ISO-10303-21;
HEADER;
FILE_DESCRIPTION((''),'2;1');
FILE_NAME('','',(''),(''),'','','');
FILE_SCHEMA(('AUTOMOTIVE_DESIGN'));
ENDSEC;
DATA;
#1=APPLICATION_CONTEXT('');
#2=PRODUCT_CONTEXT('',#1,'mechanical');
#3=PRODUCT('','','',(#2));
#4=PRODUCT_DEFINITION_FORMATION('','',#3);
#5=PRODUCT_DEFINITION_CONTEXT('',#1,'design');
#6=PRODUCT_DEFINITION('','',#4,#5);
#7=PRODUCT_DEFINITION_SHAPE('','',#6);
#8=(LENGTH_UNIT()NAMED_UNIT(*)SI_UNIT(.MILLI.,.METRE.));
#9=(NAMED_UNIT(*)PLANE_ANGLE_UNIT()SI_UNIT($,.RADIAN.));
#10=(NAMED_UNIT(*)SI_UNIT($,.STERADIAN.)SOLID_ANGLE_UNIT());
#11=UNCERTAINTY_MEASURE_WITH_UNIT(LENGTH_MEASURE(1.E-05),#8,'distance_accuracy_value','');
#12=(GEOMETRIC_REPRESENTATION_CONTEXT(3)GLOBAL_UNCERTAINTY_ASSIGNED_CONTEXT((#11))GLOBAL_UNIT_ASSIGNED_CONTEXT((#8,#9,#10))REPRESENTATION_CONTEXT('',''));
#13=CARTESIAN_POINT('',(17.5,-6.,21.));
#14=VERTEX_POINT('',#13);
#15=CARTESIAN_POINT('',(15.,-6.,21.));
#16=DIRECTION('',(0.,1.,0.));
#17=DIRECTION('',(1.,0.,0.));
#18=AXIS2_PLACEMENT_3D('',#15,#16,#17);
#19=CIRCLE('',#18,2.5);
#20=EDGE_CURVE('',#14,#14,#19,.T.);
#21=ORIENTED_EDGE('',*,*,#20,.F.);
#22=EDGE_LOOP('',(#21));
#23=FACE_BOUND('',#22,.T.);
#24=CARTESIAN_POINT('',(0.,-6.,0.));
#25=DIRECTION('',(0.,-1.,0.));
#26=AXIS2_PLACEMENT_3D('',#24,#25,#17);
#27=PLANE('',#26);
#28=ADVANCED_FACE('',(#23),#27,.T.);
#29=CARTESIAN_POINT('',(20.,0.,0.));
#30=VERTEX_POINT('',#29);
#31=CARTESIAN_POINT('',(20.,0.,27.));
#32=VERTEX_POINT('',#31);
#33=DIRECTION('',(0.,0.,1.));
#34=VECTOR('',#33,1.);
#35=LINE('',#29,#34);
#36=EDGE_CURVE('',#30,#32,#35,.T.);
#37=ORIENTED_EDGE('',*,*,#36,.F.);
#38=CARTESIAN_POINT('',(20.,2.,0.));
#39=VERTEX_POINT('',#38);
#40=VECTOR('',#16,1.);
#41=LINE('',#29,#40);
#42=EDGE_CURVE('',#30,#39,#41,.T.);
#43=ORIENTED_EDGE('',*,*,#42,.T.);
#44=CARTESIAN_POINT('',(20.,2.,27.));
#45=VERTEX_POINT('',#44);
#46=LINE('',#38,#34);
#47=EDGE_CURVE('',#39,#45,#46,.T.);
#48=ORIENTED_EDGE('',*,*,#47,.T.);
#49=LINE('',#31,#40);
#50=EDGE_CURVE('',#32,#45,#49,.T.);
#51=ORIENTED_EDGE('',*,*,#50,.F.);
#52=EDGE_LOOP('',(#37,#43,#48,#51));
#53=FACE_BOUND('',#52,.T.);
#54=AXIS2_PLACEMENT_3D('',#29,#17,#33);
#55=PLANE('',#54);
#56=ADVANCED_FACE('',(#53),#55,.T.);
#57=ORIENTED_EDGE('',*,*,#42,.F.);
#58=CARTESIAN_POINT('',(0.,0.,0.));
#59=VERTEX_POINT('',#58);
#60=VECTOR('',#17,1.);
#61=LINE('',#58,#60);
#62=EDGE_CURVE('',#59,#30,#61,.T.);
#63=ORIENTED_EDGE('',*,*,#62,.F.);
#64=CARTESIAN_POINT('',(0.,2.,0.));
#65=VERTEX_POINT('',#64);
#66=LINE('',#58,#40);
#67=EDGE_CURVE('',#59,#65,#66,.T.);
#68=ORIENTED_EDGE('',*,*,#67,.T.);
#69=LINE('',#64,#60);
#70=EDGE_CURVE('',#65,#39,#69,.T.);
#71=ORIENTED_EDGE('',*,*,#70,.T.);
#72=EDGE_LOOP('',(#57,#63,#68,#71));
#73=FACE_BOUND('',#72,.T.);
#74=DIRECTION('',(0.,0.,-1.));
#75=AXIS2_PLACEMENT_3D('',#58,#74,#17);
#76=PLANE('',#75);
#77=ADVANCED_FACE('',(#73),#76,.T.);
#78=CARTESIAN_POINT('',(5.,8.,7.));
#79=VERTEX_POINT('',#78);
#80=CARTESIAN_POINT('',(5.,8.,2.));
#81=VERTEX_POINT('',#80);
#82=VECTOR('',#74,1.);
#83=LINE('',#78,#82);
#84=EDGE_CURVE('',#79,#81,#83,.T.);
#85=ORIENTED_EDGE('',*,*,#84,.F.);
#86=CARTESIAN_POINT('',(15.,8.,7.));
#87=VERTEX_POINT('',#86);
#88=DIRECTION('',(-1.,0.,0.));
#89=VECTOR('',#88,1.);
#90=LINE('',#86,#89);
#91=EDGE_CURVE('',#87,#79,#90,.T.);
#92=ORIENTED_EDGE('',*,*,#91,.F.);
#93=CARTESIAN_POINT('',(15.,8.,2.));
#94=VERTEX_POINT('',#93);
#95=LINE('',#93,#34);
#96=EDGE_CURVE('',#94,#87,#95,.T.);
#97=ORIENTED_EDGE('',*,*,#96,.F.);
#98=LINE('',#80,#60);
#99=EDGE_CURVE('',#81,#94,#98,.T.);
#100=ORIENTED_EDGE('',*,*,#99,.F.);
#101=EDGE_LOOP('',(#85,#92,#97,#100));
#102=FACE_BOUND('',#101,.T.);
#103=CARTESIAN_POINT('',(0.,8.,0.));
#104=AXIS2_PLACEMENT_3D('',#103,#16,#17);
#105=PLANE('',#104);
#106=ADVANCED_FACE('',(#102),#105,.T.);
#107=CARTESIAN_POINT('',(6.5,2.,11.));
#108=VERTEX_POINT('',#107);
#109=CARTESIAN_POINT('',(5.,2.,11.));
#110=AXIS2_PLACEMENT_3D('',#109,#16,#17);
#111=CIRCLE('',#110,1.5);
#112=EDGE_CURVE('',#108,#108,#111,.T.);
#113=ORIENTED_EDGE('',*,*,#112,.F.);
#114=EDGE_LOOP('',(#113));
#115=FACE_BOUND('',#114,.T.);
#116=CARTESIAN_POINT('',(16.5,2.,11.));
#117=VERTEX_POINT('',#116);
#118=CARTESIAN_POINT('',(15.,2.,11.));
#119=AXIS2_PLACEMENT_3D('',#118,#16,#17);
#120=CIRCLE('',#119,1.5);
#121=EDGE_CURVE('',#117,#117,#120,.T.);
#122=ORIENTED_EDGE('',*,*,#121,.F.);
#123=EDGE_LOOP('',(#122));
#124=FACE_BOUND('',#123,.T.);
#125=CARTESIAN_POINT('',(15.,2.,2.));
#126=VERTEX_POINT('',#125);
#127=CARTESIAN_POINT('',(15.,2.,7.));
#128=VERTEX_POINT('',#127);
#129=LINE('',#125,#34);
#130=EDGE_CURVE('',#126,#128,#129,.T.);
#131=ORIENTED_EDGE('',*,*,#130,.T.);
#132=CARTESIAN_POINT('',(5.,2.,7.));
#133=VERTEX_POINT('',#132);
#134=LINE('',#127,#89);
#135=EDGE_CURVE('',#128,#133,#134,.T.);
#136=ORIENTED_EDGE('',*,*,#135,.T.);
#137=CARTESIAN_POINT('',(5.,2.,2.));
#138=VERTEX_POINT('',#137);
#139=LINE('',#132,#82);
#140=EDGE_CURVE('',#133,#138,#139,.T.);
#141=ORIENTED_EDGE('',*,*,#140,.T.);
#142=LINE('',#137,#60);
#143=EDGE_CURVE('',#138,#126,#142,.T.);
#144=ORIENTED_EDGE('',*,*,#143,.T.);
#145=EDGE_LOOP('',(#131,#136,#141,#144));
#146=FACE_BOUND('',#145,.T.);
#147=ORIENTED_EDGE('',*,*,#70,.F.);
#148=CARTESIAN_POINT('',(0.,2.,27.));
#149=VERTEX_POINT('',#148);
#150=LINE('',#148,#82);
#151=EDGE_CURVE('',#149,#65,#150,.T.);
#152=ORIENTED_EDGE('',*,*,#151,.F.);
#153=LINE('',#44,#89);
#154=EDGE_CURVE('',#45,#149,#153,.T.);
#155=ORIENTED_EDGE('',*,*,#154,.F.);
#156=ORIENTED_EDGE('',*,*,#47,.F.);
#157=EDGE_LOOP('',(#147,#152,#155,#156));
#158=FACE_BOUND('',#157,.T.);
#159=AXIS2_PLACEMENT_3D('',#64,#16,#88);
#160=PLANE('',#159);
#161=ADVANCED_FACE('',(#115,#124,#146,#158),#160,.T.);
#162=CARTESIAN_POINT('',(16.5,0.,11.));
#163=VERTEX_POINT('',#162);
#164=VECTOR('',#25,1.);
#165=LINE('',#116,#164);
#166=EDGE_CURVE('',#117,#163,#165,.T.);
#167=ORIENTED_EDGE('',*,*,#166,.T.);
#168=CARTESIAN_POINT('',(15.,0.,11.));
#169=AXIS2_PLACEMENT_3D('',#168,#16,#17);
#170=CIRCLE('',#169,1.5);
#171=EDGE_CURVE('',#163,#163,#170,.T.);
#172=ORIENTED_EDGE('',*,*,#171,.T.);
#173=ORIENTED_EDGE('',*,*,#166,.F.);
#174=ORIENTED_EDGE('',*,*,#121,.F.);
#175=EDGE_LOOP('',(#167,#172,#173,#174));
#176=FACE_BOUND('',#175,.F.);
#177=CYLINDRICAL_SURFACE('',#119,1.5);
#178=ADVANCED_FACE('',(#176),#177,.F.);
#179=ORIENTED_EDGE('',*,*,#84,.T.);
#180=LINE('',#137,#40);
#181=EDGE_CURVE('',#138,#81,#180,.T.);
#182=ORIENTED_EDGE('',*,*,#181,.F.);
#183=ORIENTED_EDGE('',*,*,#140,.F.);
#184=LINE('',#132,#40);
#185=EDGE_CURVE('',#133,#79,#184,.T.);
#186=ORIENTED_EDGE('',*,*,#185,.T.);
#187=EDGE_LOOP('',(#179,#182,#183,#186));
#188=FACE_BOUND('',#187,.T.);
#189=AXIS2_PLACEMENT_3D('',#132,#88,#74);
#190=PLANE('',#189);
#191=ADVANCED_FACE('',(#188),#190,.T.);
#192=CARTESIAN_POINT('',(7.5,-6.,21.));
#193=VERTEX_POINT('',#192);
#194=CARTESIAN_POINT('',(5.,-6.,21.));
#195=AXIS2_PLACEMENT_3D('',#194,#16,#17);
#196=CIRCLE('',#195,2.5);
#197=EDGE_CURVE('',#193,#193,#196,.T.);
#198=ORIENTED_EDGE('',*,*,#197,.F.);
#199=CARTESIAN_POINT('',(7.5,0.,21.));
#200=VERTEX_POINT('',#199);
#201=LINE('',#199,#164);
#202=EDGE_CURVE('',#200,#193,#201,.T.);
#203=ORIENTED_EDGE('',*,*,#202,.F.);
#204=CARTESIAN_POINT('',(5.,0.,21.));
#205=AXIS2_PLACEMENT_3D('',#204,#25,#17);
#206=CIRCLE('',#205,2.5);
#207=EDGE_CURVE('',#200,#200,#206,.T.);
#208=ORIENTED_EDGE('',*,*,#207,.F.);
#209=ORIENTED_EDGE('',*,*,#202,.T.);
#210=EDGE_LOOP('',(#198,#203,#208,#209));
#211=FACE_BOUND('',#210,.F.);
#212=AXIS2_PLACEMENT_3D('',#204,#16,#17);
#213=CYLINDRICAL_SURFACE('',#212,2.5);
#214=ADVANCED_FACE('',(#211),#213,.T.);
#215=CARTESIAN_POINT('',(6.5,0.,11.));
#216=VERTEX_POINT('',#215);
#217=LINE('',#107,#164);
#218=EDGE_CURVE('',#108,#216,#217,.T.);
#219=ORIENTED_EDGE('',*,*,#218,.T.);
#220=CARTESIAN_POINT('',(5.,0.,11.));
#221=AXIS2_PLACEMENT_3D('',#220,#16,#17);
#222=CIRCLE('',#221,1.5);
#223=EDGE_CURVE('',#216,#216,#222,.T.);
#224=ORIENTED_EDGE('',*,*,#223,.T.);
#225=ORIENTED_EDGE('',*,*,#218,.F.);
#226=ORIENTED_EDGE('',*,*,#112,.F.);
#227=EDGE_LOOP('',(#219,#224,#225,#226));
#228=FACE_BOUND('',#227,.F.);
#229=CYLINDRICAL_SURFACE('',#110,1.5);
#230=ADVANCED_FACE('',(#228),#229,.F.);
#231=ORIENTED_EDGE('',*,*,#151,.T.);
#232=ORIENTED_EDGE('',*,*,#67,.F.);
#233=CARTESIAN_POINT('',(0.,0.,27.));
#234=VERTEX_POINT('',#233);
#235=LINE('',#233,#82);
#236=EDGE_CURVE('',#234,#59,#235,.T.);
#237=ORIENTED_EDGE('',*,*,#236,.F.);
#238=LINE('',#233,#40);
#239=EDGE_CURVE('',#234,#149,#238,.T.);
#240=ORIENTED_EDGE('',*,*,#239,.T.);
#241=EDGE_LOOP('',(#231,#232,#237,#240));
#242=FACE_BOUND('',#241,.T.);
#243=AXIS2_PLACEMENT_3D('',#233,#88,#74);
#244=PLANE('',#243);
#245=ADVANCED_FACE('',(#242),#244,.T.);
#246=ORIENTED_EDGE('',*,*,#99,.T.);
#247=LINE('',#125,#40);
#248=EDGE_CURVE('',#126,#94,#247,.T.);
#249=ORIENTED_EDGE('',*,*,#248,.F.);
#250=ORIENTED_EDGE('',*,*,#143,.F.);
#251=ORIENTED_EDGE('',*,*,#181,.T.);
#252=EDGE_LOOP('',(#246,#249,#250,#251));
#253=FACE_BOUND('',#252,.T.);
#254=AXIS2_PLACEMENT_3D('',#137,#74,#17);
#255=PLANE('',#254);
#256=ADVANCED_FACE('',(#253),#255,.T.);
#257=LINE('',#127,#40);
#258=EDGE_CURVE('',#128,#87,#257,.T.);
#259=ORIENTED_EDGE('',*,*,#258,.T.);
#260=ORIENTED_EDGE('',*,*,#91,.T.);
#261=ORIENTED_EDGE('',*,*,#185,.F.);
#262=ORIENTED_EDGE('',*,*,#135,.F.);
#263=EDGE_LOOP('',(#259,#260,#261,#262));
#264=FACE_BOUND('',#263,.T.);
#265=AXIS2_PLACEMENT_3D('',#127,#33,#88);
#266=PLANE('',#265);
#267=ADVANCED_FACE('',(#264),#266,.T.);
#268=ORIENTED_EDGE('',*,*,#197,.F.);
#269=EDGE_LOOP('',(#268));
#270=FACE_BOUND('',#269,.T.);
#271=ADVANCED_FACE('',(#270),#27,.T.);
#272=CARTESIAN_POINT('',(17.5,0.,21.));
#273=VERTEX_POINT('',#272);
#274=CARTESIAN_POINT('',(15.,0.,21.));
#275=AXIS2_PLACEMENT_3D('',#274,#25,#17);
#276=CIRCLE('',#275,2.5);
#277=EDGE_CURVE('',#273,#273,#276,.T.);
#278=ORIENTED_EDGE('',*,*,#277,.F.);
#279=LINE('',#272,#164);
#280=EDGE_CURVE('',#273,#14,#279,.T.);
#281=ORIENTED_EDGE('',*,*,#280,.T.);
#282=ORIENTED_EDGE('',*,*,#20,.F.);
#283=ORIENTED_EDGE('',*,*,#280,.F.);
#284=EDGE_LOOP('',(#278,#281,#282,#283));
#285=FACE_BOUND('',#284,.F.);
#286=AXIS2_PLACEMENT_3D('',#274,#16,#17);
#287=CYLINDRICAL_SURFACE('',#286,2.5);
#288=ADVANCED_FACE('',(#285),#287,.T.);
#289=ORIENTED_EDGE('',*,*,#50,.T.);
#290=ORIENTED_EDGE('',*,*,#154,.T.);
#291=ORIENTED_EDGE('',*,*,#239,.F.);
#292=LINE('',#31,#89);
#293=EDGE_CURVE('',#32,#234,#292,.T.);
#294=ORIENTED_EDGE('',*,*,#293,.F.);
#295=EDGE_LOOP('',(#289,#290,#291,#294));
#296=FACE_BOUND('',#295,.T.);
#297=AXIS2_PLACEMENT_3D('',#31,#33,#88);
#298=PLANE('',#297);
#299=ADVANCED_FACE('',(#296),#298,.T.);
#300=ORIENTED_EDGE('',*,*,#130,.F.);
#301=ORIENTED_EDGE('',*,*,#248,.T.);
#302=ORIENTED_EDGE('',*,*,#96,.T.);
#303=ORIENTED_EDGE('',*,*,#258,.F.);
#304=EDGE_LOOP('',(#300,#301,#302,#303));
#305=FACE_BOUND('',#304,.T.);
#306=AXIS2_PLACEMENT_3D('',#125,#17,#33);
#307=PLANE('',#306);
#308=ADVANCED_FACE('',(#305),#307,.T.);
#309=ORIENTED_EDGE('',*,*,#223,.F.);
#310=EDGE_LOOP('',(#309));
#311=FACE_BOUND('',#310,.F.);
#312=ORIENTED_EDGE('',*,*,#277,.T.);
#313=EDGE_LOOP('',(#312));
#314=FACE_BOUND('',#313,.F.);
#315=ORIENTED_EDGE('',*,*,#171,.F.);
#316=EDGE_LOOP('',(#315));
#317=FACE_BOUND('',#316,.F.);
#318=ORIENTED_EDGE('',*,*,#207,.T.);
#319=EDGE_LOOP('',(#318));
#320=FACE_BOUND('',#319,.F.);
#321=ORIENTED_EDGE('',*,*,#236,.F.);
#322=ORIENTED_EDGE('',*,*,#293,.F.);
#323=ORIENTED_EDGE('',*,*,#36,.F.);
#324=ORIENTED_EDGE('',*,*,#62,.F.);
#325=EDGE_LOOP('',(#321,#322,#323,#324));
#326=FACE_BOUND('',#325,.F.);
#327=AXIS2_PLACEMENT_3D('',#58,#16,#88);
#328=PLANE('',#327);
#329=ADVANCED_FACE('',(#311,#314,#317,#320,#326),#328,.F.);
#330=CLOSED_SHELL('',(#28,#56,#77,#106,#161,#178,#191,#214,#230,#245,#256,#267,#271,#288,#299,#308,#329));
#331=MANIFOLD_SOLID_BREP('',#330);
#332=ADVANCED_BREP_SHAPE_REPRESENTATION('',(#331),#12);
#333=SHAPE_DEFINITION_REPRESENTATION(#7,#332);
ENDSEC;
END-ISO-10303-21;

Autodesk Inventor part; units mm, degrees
ref_plane "YZ Plane" through (0, 0, 0) normal (1, 0, 0) x (0, 1, 0)
ref_plane "XZ Plane" through (0, 0, 0) normal (0, 1, 0) x (-1, 0, 0)
ref_plane "XY Plane" through (0, 0, 0) normal (0, 0, 1) x (1, 0, 0)
sketch "스케치1" plane through (0, 0, 0) normal (0, 1, 0) x (-1, 0, 0)
  line L0 (0, 0) -> (-20, 0)
  line L1 (-20, 0) -> (-20, 27)
  line L2 (-20, 27) -> (0, 27)
  line L3 (0, 27) -> (0, 0)
  dimension "d0" = 20
  dimension "d1" = 27
extrude "돌출1" add sketch "스케치1" along normal blind 2
sketch "스케치2" plane through (0, 2, 0) normal (0, 1, 0) x (1, 0, 0)
  line L0 (20, 0) -> (0, 0) projected
  line L1 (0, 0) -> (0, -27) projected
  line L2 (0, -27) -> (20, -27) projected
  line L3 (20, -27) -> (20, 0) projected
  line L4 (20, 0) -> (0, 0) projected
  circle A0 centre (5, -11) radius 1.5
  circle A1 centre (15, -11) radius 1.5
  dimension "d5" = 3
  dimension "d6" = 3
  dimension "d21" = 5
  dimension "d22" = 5
  dimension "d23" = 11
  dimension "d24" = 11
extrude "돌출2" cut sketch "스케치2" against normal blind 2 contours A0 | A1
sketch "스케치3" plane through (0, 0, 0) normal (0, -1, 0) x (1, 0, 0)
  circle A0 centre (5, 11) radius 1.5 projected
  circle A1 centre (15, 11) radius 1.5 projected
  line L0 (0, 0) -> (20, 0) projected
  line L1 (20, 0) -> (20, 27) projected
  line L2 (20, 27) -> (0, 27) projected
  line L3 (0, 27) -> (0, 0) projected
  line L4 (5, 11) -> (5, 21)
  line L5 (15, 11) -> (15, 21)
  circle A2 centre (5, 21) radius 2.5
  circle A3 centre (15, 21) radius 2.5
  dimension "d9" = 10
  dimension "d10" = 5
  dimension "d11" = 5
extrude "돌출3" add sketch "스케치3" along normal blind 6 contours A2 | A3
sketch "스케치4" plane through (0, 2, 0) normal (0, 1, 0) x (1, 0, 0)
  circle A0 centre (5, -11) radius 1.5 projected
  circle A1 centre (15, -11) radius 1.5 projected
  line L0 (20, 0) -> (0, 0) projected
  line L1 (0, 0) -> (0, -27) projected
  line L2 (0, -27) -> (20, -27) projected
  line L3 (20, -27) -> (20, 0) projected
  line L4 (0, 0) -> (20, 0) projected
  line L5 (5, -2) -> (15, -2)
  line L6 (15, -2) -> (15, -7)
  line L7 (15, -7) -> (5, -7)
  line L8 (5, -7) -> (5, -2)
  dimension "d14" = 2
extrude "돌출4" add sketch "스케치4" along normal blind 6 contours L5 L6 L7 L8
properties part number "IR모듈"
